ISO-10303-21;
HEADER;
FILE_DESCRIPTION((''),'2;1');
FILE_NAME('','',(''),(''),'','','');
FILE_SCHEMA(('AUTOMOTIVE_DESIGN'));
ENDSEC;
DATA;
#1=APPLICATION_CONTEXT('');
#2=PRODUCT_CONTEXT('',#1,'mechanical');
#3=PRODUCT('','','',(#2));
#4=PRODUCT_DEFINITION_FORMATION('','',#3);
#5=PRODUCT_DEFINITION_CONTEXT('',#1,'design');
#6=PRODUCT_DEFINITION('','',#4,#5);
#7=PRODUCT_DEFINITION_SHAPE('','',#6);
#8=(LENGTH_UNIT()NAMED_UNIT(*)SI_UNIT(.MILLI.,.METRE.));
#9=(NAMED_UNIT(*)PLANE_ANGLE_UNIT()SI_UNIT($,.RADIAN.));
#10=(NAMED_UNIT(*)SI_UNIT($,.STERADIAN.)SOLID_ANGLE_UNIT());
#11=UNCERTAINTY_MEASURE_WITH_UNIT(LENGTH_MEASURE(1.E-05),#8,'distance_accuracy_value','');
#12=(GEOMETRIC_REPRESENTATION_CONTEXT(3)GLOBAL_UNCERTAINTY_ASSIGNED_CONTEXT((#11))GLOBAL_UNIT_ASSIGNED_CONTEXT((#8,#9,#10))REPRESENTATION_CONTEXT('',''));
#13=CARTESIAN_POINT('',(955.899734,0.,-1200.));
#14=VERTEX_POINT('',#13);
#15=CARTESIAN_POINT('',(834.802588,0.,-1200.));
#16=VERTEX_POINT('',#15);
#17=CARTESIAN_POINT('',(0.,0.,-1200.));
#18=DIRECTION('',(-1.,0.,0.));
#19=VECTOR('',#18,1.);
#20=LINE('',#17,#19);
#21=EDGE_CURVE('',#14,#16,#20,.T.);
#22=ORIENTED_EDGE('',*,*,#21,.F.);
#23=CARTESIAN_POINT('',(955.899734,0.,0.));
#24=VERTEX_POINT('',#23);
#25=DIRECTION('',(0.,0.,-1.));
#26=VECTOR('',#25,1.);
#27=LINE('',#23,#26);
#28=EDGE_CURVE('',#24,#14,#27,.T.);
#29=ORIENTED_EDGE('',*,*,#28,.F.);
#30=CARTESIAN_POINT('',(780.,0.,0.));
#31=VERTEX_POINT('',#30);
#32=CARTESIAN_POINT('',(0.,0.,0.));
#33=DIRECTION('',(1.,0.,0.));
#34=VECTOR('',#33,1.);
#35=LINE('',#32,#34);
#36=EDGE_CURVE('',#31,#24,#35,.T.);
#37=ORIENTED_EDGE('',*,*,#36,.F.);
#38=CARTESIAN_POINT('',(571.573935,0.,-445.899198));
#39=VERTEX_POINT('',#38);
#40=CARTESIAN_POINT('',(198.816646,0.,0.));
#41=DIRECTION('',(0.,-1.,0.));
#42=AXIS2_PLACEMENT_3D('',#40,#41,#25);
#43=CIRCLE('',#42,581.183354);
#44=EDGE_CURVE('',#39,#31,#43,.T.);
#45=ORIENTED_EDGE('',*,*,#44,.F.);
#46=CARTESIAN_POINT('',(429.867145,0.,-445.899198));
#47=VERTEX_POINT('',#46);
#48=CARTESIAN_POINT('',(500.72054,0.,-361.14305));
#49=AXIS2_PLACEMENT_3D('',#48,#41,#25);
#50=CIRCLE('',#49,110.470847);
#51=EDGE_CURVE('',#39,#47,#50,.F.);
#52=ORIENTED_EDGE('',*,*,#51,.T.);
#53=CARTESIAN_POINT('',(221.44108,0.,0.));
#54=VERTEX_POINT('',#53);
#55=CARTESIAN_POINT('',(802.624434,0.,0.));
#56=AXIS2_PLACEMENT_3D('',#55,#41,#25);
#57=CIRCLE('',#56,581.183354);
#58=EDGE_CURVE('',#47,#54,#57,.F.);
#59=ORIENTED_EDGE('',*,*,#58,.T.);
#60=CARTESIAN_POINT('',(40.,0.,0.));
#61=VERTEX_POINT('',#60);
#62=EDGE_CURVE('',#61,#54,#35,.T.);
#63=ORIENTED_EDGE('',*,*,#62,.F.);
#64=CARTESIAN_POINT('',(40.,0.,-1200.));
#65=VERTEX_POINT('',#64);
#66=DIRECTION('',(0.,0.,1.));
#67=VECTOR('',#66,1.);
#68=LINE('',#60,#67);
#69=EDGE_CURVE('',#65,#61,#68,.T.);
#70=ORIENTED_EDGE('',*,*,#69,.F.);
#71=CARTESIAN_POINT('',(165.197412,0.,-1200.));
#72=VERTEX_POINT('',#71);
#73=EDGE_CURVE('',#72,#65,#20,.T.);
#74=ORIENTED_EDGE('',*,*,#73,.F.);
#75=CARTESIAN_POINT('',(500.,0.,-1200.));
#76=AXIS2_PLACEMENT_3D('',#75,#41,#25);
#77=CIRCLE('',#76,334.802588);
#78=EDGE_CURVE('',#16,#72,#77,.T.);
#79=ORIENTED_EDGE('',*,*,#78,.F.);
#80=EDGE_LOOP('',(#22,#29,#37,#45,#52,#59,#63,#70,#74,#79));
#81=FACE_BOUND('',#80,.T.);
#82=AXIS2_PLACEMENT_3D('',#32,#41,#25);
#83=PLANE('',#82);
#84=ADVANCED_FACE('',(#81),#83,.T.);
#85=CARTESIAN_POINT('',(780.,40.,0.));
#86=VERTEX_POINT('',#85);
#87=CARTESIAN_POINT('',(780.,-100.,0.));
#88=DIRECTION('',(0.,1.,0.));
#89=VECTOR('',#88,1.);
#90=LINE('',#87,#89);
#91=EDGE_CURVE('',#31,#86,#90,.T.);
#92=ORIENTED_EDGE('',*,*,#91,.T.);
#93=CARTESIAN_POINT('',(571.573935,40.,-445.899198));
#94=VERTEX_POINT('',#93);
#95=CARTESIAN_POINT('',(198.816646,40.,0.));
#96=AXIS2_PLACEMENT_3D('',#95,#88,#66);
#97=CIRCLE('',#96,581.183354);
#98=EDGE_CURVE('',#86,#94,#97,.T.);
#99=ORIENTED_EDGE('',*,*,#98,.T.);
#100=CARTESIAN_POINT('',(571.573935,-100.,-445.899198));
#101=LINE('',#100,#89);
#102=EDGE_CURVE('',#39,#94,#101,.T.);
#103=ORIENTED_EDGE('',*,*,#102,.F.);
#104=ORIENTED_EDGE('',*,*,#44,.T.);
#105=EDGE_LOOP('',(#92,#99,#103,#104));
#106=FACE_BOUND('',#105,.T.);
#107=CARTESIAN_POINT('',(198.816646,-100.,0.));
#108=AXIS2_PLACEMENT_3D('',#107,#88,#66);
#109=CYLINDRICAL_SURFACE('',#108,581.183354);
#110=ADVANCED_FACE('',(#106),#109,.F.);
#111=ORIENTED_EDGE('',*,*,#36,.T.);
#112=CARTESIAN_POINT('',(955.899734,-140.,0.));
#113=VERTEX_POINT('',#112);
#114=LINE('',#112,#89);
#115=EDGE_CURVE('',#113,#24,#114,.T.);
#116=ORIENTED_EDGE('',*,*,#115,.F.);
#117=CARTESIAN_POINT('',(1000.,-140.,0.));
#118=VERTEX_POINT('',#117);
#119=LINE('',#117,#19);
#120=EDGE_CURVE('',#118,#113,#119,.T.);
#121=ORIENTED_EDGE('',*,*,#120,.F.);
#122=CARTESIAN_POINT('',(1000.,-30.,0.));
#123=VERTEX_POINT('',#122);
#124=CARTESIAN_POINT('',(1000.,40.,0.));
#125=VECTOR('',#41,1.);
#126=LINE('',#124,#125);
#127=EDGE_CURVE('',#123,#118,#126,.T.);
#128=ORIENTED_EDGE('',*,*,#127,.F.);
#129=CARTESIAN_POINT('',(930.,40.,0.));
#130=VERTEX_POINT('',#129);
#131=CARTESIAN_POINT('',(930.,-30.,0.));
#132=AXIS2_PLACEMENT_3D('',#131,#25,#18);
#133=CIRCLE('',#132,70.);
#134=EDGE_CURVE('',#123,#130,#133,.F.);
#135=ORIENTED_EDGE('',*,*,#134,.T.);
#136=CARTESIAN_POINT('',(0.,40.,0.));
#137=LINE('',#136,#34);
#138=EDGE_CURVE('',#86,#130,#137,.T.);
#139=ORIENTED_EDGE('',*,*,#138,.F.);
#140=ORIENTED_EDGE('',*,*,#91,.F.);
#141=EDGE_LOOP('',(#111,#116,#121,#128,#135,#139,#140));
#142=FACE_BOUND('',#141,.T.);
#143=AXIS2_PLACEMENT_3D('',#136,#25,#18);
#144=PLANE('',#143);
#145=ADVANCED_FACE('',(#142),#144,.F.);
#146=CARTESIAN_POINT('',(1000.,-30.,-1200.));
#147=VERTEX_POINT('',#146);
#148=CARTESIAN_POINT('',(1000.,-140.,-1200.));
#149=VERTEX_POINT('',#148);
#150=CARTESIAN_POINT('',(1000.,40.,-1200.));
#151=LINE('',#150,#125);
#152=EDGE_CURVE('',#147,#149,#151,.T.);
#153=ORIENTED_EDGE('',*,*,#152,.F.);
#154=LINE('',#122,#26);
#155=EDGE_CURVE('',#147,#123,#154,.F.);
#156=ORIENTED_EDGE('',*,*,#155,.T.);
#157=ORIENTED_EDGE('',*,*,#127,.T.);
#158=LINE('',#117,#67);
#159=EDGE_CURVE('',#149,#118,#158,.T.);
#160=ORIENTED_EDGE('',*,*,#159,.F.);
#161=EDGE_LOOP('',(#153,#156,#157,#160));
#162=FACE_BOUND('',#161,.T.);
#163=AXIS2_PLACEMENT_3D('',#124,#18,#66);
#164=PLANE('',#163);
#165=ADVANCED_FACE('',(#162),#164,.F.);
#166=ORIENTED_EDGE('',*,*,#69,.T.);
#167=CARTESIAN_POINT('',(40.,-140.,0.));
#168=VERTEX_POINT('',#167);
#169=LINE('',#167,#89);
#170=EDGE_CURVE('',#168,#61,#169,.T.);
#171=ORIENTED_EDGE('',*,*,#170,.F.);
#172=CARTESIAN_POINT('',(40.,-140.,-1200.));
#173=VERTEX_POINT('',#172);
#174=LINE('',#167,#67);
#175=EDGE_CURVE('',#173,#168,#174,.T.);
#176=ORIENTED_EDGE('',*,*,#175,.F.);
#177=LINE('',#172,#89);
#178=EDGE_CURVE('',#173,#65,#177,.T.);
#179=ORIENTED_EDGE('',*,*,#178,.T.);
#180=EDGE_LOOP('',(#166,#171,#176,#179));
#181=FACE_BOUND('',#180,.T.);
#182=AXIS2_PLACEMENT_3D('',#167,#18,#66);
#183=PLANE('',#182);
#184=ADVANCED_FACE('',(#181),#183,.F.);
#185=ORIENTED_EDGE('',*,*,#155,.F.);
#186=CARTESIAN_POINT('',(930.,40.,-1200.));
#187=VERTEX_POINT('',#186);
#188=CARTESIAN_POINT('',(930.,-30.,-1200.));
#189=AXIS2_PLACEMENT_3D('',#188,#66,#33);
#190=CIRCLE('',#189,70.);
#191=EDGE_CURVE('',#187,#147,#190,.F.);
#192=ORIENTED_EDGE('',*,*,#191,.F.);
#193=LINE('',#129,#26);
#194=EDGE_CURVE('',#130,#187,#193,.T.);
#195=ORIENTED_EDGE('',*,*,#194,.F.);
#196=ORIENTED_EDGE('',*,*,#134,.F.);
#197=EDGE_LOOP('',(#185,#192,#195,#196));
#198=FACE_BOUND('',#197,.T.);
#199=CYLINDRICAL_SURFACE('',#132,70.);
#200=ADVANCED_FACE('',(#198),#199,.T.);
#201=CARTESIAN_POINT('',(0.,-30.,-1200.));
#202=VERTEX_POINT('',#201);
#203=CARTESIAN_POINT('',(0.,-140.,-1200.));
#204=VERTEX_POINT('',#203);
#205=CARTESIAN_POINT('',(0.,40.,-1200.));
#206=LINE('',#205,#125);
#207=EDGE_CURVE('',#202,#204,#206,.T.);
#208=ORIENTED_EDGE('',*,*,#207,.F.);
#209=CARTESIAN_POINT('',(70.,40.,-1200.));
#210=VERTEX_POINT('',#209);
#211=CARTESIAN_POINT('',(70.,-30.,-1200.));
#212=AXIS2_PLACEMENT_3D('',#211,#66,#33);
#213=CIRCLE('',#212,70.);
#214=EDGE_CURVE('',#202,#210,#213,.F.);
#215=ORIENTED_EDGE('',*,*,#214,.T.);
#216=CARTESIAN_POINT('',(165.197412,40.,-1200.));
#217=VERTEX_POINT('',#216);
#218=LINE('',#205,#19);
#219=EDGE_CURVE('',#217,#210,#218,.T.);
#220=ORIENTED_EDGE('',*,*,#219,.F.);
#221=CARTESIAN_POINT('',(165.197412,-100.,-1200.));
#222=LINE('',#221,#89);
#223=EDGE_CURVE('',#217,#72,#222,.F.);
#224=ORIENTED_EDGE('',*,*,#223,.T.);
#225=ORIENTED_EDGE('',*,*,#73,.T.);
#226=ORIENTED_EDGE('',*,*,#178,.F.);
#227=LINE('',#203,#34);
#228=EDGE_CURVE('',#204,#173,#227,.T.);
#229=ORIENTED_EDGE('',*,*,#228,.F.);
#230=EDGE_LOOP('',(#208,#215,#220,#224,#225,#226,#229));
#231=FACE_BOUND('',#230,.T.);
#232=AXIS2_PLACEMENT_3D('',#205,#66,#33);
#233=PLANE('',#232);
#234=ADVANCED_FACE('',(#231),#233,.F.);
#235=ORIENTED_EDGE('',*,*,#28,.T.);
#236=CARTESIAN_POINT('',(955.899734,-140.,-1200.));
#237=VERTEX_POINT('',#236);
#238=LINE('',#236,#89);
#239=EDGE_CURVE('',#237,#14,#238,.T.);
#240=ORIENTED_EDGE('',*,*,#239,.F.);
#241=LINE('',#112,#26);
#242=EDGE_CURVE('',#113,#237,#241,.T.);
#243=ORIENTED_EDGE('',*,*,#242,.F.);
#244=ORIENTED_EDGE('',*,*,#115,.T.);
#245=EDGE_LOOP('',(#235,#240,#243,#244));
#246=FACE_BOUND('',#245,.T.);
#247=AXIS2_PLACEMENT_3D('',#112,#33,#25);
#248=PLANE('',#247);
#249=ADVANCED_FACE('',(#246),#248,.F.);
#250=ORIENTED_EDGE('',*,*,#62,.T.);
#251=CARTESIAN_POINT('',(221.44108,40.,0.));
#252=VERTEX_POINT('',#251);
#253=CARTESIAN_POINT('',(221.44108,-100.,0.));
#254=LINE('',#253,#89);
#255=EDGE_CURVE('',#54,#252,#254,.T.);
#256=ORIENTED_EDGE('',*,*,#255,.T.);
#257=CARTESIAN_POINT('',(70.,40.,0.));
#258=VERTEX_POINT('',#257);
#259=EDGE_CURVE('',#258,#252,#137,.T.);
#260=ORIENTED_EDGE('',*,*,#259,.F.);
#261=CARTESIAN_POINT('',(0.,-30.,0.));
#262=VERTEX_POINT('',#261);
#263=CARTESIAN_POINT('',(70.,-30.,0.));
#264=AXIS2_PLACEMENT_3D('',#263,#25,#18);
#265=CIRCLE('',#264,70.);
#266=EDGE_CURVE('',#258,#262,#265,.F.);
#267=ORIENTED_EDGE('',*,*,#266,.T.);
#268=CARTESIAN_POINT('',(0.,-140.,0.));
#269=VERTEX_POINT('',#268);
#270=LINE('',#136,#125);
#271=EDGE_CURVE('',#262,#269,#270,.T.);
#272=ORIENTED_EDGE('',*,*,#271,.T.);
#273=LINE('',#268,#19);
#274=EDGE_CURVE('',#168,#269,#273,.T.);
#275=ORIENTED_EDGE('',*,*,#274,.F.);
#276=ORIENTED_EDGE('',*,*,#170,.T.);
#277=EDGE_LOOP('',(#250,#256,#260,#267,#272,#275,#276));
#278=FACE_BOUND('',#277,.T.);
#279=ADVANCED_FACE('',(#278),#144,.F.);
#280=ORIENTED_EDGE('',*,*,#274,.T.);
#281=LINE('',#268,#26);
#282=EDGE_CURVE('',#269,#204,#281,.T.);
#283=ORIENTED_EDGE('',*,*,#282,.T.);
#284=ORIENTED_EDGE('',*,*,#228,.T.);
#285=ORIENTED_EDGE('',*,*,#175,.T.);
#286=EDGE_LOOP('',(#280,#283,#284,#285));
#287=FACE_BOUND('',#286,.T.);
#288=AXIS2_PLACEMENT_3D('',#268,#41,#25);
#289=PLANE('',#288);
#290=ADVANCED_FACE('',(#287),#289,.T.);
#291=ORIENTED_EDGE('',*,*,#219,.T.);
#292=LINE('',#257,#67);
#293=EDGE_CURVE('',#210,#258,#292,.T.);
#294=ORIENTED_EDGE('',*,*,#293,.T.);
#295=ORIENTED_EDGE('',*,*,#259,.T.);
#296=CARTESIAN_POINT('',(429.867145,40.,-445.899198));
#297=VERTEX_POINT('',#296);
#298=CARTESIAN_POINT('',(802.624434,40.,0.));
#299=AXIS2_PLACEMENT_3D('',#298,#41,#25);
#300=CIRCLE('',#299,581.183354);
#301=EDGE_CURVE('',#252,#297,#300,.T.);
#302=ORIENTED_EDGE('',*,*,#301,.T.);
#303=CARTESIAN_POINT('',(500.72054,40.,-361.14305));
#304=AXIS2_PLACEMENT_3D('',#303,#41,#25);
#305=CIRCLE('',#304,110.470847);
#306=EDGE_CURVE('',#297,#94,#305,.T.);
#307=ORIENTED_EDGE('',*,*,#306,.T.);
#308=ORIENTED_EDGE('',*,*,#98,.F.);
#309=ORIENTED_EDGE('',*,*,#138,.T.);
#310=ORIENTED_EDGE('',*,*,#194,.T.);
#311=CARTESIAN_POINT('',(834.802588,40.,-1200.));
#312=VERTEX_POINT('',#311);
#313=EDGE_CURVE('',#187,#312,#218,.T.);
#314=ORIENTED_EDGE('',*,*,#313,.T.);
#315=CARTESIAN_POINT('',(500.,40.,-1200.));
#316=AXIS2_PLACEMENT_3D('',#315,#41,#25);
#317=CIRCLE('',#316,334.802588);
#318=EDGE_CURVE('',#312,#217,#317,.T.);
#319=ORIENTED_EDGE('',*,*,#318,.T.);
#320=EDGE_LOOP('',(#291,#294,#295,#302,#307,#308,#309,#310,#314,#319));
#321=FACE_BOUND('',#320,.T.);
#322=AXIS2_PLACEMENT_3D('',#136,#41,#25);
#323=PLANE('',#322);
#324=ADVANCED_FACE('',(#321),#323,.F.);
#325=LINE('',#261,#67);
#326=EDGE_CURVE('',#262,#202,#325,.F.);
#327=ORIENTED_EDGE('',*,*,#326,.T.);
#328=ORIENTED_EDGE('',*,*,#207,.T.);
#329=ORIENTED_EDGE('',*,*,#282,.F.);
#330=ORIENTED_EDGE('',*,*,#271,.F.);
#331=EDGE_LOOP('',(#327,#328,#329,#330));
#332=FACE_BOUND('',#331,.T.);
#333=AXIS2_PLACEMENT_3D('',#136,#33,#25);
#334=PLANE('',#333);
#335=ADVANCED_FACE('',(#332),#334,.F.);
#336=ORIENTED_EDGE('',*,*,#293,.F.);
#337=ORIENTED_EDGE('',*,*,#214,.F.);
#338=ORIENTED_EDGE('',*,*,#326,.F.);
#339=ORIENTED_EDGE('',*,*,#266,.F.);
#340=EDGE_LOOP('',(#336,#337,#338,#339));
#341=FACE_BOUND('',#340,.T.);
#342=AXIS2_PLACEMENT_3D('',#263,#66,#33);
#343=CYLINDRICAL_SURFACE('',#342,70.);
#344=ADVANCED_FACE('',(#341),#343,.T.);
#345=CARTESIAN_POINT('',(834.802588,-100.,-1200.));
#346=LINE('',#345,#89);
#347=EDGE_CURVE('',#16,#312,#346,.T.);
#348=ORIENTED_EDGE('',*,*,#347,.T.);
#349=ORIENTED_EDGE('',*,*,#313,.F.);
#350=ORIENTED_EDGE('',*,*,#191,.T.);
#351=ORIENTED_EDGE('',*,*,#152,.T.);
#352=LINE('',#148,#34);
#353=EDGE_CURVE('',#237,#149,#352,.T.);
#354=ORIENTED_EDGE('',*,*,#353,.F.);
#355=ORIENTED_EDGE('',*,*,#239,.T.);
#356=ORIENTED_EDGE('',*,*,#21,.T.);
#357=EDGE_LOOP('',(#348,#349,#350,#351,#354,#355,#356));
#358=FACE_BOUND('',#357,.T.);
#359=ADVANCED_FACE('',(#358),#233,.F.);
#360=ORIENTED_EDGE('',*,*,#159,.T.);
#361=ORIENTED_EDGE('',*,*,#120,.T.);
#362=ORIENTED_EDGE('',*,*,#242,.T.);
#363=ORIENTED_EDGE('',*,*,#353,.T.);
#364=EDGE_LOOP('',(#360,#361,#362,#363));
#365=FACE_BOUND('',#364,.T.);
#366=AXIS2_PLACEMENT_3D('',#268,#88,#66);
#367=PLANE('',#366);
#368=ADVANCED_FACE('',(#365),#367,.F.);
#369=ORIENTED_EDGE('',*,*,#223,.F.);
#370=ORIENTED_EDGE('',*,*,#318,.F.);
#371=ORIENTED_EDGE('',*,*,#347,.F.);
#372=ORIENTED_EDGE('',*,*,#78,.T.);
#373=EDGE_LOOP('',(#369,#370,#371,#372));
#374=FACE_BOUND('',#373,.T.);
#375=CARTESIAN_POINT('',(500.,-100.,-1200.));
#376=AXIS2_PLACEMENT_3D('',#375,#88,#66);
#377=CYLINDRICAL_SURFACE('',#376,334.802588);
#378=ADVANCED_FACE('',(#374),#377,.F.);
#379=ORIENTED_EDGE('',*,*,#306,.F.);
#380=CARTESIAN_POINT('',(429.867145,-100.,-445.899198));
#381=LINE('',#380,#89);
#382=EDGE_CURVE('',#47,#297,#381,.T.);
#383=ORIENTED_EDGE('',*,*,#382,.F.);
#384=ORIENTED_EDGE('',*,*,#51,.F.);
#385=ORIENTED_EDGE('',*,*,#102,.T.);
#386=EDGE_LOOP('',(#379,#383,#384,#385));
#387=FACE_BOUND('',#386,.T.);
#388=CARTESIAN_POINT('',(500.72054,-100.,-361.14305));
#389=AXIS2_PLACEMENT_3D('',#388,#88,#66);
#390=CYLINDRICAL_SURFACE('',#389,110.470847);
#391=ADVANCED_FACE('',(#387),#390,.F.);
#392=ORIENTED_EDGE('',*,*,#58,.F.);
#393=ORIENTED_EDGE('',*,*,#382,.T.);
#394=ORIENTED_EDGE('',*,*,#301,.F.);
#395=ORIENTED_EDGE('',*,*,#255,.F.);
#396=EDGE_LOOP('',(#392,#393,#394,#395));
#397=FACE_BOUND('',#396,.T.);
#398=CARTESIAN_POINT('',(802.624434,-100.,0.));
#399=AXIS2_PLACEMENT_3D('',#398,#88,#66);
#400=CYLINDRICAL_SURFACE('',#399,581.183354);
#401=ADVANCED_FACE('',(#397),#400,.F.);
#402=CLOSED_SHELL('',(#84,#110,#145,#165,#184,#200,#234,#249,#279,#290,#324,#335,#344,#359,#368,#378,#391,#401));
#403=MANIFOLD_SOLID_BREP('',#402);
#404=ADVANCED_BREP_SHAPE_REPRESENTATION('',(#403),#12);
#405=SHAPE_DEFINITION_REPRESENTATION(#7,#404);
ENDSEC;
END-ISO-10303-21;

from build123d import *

# Parameters (mm, degrees)
SKETCH1_W           = 1000
SKETCH1_H           = 1200
BOSS_EXTRUDE1_DEPTH = 40
SKETCH2_W           = 44.100266395
SKETCH2_H           = 1200
SKETCH2_W_2         = 40
BOSS_EXTRUDE2_DEPTH = 140
FILLET1_R           = 70
SKETCH3_R           = 334.802588384
CUT_EXTRUDE2_DEPTH  = 140


with BuildPart() as part:
    # Sketch1 → Boss-Extrude1 (new body)
    with BuildSketch(Plane(origin=(0, 0, 0), x_dir=(1, 0, 0), z_dir=(0, 1, 0))):
        with Locations((500, 600)):
            Rectangle(SKETCH1_W, SKETCH1_H)
    extrude(amount=BOSS_EXTRUDE1_DEPTH)

    # Sketch2 → Boss-Extrude2 (add)
    with BuildSketch(Plane.XZ):
        with Locations((977.949866803, -600)):
            Rectangle(SKETCH2_W, SKETCH2_H)
        with Locations((20, -600)):
            Rectangle(SKETCH2_W_2, SKETCH2_H)
    extrude(amount=BOSS_EXTRUDE2_DEPTH)

    # Fillet1
    fillet1_edges = [part.edges().sort_by_distance(p)[0] for p in [
        (1000, 40, -600),
        (0, 40, -600),
    ]]
    fillet(fillet1_edges, radius=FILLET1_R)

    # Sketch3 → Cut-Extrude2 (cut)
    with BuildSketch(Plane(origin=(0, 40, 0), x_dir=(1, 0, 0), z_dir=(0, 1, 0))):
        with Locations((500, 1200)):
            Circle(SKETCH3_R)
        with BuildLine():
            Line((221.441080201, 0), (780, 0))
            ThreePointArc((780, 0), (725.321357402, 246.103392604), (571.573934725, 445.899197935))
            ThreePointArc((571.573934725, 445.899197935), (500.7205401, 471.613897531), (429.867145476, 445.899197935))
            ThreePointArc((429.867145476, 445.899197935), (276.119722799, 246.103392604), (221.441080201, 0))
        make_face()
    extrude(amount=-CUT_EXTRUDE2_DEPTH, mode=Mode.SUBTRACT)


solid = part.part
